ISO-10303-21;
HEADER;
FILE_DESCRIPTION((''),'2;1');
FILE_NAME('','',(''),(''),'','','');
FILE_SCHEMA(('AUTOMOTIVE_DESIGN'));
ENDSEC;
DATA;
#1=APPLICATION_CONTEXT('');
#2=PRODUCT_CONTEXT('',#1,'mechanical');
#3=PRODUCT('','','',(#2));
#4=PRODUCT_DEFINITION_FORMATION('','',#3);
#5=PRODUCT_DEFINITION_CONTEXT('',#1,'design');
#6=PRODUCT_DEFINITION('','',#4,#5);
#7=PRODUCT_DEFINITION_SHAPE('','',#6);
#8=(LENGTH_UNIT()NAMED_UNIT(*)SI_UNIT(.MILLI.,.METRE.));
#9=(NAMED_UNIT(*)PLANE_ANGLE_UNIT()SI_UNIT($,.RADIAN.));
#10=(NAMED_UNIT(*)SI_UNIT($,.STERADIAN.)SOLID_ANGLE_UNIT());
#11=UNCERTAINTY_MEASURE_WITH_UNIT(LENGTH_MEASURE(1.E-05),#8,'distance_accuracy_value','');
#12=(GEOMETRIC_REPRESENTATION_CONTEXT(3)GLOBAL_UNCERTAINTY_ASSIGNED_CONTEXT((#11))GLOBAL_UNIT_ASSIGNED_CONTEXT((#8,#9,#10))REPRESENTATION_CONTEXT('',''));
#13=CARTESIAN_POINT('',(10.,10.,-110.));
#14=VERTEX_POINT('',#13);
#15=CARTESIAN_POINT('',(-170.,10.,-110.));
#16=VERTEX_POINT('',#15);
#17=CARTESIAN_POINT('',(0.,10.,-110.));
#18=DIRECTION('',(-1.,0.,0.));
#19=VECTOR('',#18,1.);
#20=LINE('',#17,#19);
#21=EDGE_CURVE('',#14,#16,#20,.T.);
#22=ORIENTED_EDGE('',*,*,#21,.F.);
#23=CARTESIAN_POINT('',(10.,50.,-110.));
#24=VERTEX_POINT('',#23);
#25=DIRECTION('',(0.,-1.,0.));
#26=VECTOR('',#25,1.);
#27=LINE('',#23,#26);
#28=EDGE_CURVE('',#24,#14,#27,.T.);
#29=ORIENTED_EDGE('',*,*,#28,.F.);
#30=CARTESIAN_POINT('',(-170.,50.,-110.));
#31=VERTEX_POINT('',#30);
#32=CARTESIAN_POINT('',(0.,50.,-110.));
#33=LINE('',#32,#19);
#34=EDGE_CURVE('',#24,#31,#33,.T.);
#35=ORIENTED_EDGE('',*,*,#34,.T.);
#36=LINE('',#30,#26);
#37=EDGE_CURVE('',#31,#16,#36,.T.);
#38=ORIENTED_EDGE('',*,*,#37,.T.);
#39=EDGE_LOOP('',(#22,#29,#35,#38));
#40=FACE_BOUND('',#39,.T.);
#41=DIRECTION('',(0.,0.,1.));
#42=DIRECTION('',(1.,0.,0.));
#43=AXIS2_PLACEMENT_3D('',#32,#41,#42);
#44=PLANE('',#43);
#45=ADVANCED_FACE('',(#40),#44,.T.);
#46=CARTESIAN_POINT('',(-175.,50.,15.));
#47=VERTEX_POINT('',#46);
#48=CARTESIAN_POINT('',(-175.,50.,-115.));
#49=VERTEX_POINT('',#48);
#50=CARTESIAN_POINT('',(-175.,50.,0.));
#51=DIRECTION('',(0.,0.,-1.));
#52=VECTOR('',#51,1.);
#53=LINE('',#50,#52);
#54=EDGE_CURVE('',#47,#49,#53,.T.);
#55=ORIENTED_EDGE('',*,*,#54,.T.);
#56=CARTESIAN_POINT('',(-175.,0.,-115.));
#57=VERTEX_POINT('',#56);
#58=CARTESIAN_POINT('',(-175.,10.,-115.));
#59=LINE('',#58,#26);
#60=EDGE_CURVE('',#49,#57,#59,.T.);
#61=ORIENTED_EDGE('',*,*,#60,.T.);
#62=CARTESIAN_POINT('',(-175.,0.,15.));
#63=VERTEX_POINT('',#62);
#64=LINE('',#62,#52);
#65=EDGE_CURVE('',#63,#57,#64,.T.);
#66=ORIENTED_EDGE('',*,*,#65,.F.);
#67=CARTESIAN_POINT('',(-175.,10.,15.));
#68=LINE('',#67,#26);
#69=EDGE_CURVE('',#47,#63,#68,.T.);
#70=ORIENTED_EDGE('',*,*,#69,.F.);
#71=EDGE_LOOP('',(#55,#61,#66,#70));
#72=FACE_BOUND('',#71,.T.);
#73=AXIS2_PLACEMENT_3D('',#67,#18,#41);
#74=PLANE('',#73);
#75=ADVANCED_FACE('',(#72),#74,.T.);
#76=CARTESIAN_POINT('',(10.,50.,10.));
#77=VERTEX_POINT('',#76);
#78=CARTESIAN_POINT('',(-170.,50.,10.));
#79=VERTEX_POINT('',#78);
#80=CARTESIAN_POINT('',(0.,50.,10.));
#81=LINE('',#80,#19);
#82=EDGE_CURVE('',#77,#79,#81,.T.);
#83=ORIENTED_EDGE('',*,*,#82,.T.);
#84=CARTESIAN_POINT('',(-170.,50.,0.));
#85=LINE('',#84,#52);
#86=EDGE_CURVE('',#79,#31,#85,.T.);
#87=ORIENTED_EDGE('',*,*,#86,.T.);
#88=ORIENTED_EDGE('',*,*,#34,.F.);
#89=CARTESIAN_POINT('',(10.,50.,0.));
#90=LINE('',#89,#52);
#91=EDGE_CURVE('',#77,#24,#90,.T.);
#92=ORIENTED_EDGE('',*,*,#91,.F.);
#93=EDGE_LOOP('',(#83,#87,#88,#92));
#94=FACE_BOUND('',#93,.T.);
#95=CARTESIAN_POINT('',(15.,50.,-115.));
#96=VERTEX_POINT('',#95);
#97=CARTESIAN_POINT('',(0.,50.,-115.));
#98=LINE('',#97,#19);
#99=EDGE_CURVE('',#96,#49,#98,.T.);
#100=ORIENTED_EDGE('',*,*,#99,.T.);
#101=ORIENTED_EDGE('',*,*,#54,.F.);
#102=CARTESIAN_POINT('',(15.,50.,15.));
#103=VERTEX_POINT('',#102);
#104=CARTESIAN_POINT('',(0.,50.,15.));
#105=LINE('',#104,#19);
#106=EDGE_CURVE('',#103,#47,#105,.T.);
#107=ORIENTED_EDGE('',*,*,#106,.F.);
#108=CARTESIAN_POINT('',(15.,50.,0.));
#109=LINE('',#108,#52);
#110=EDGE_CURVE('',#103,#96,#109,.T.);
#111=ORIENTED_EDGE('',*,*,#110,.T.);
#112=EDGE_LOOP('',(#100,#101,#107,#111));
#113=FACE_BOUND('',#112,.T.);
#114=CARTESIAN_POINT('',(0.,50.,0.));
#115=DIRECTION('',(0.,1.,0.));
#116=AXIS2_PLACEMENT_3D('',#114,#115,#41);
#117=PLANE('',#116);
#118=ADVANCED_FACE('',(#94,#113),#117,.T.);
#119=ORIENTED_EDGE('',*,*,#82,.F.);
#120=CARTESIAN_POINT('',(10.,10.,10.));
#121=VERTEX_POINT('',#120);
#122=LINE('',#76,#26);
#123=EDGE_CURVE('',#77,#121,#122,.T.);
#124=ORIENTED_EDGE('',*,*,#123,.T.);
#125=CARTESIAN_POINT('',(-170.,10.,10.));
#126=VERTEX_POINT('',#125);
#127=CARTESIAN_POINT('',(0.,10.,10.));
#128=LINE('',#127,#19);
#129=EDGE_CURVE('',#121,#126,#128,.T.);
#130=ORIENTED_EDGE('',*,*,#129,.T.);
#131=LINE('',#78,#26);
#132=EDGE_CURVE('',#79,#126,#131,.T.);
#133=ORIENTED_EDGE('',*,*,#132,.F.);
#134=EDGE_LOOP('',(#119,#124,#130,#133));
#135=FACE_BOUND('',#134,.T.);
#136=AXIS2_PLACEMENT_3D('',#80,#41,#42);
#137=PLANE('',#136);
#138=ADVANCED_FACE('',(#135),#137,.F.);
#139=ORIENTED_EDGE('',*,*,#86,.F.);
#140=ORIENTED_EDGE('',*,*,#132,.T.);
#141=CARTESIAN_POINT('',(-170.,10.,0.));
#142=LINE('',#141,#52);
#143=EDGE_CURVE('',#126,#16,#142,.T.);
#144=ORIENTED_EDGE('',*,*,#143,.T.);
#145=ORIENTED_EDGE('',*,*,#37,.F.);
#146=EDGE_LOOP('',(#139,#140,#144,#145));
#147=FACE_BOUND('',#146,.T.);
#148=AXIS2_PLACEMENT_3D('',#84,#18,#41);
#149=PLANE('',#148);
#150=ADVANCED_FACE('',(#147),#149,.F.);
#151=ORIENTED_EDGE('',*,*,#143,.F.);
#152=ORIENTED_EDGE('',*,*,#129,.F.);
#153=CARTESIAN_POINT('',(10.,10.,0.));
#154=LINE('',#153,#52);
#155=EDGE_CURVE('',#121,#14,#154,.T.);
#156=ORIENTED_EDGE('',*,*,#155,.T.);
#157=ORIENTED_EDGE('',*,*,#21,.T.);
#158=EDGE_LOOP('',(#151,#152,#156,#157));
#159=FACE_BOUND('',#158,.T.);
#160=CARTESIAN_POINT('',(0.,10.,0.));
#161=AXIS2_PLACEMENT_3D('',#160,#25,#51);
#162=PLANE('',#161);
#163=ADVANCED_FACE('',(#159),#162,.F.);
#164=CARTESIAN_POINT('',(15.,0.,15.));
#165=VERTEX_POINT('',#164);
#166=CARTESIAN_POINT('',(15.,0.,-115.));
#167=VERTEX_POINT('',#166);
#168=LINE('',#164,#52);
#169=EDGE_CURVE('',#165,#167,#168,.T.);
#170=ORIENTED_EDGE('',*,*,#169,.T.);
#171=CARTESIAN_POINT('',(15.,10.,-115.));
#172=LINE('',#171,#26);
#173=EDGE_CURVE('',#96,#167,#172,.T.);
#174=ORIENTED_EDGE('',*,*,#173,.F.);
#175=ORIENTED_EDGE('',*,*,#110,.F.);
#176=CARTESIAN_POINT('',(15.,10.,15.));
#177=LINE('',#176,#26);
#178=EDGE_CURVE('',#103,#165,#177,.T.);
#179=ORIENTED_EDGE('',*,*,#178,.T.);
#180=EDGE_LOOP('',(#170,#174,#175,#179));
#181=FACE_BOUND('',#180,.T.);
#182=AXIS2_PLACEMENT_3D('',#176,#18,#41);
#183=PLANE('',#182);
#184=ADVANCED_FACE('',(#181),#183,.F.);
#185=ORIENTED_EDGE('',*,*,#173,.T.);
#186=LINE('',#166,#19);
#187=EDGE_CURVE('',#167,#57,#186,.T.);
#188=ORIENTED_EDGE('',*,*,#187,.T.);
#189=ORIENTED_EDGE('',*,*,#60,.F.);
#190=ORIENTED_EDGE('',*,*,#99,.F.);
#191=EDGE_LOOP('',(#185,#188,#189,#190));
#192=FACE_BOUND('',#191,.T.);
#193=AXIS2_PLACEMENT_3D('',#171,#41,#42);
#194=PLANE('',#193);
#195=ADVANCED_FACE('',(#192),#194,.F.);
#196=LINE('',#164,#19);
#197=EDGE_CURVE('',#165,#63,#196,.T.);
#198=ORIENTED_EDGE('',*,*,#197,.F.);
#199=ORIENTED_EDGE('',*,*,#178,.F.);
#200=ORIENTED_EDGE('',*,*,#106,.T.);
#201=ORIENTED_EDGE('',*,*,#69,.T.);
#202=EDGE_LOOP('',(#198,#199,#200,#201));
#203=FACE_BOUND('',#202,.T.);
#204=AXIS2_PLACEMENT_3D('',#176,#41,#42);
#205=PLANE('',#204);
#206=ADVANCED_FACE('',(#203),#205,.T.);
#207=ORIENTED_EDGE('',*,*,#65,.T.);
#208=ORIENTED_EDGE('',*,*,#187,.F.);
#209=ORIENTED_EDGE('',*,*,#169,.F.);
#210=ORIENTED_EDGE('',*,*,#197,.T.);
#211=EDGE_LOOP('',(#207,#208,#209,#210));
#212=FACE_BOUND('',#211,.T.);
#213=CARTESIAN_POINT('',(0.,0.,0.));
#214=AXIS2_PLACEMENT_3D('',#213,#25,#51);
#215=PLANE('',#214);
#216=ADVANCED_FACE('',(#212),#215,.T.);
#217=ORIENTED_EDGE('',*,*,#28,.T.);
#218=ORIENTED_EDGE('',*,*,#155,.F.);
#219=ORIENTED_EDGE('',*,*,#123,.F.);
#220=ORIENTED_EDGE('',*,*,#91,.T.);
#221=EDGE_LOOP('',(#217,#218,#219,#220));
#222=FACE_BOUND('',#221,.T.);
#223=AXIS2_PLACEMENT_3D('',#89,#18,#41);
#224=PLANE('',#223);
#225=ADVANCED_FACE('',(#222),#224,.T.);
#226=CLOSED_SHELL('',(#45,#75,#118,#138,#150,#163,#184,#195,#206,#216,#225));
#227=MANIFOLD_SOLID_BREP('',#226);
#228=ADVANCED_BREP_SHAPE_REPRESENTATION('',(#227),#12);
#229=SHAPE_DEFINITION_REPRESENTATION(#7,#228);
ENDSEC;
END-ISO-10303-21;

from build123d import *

# Parameters (mm, degrees)
SKETCH1_W           = 190
SKETCH1_H           = 130
BOSS_EXTRUDE1_DEPTH = 10
SKETCH1_7_W         = 190
SKETCH1_7_H         = 130
SKETCH1_7_W_2       = 180
SKETCH1_7_H_2       = 120
BOSS_EXTRUDE2_DEPTH = 50


with BuildPart() as part:
    # Sketch1 → Boss-Extrude1 (new body)
    with BuildSketch(Plane(origin=(0, 0, 0), x_dir=(1, 0, 0), z_dir=(0, 1, 0))):
        with Locations((-80, 50)):
            Rectangle(SKETCH1_W, SKETCH1_H)
    extrude(amount=BOSS_EXTRUDE1_DEPTH)

    # Sketch1<7> → Boss-Extrude2 (add)
    with BuildSketch(Plane(origin=(0, 0, 0), x_dir=(1, 0, 0), z_dir=(0, 1, 0))):
        with Locations((-80, 50)):
            Rectangle(SKETCH1_7_W, SKETCH1_7_H)
        with Locations((-80, 50)):
            Rectangle(SKETCH1_7_W_2, SKETCH1_7_H_2, mode=Mode.SUBTRACT)
    extrude(amount=BOSS_EXTRUDE2_DEPTH)


solid = part.part
